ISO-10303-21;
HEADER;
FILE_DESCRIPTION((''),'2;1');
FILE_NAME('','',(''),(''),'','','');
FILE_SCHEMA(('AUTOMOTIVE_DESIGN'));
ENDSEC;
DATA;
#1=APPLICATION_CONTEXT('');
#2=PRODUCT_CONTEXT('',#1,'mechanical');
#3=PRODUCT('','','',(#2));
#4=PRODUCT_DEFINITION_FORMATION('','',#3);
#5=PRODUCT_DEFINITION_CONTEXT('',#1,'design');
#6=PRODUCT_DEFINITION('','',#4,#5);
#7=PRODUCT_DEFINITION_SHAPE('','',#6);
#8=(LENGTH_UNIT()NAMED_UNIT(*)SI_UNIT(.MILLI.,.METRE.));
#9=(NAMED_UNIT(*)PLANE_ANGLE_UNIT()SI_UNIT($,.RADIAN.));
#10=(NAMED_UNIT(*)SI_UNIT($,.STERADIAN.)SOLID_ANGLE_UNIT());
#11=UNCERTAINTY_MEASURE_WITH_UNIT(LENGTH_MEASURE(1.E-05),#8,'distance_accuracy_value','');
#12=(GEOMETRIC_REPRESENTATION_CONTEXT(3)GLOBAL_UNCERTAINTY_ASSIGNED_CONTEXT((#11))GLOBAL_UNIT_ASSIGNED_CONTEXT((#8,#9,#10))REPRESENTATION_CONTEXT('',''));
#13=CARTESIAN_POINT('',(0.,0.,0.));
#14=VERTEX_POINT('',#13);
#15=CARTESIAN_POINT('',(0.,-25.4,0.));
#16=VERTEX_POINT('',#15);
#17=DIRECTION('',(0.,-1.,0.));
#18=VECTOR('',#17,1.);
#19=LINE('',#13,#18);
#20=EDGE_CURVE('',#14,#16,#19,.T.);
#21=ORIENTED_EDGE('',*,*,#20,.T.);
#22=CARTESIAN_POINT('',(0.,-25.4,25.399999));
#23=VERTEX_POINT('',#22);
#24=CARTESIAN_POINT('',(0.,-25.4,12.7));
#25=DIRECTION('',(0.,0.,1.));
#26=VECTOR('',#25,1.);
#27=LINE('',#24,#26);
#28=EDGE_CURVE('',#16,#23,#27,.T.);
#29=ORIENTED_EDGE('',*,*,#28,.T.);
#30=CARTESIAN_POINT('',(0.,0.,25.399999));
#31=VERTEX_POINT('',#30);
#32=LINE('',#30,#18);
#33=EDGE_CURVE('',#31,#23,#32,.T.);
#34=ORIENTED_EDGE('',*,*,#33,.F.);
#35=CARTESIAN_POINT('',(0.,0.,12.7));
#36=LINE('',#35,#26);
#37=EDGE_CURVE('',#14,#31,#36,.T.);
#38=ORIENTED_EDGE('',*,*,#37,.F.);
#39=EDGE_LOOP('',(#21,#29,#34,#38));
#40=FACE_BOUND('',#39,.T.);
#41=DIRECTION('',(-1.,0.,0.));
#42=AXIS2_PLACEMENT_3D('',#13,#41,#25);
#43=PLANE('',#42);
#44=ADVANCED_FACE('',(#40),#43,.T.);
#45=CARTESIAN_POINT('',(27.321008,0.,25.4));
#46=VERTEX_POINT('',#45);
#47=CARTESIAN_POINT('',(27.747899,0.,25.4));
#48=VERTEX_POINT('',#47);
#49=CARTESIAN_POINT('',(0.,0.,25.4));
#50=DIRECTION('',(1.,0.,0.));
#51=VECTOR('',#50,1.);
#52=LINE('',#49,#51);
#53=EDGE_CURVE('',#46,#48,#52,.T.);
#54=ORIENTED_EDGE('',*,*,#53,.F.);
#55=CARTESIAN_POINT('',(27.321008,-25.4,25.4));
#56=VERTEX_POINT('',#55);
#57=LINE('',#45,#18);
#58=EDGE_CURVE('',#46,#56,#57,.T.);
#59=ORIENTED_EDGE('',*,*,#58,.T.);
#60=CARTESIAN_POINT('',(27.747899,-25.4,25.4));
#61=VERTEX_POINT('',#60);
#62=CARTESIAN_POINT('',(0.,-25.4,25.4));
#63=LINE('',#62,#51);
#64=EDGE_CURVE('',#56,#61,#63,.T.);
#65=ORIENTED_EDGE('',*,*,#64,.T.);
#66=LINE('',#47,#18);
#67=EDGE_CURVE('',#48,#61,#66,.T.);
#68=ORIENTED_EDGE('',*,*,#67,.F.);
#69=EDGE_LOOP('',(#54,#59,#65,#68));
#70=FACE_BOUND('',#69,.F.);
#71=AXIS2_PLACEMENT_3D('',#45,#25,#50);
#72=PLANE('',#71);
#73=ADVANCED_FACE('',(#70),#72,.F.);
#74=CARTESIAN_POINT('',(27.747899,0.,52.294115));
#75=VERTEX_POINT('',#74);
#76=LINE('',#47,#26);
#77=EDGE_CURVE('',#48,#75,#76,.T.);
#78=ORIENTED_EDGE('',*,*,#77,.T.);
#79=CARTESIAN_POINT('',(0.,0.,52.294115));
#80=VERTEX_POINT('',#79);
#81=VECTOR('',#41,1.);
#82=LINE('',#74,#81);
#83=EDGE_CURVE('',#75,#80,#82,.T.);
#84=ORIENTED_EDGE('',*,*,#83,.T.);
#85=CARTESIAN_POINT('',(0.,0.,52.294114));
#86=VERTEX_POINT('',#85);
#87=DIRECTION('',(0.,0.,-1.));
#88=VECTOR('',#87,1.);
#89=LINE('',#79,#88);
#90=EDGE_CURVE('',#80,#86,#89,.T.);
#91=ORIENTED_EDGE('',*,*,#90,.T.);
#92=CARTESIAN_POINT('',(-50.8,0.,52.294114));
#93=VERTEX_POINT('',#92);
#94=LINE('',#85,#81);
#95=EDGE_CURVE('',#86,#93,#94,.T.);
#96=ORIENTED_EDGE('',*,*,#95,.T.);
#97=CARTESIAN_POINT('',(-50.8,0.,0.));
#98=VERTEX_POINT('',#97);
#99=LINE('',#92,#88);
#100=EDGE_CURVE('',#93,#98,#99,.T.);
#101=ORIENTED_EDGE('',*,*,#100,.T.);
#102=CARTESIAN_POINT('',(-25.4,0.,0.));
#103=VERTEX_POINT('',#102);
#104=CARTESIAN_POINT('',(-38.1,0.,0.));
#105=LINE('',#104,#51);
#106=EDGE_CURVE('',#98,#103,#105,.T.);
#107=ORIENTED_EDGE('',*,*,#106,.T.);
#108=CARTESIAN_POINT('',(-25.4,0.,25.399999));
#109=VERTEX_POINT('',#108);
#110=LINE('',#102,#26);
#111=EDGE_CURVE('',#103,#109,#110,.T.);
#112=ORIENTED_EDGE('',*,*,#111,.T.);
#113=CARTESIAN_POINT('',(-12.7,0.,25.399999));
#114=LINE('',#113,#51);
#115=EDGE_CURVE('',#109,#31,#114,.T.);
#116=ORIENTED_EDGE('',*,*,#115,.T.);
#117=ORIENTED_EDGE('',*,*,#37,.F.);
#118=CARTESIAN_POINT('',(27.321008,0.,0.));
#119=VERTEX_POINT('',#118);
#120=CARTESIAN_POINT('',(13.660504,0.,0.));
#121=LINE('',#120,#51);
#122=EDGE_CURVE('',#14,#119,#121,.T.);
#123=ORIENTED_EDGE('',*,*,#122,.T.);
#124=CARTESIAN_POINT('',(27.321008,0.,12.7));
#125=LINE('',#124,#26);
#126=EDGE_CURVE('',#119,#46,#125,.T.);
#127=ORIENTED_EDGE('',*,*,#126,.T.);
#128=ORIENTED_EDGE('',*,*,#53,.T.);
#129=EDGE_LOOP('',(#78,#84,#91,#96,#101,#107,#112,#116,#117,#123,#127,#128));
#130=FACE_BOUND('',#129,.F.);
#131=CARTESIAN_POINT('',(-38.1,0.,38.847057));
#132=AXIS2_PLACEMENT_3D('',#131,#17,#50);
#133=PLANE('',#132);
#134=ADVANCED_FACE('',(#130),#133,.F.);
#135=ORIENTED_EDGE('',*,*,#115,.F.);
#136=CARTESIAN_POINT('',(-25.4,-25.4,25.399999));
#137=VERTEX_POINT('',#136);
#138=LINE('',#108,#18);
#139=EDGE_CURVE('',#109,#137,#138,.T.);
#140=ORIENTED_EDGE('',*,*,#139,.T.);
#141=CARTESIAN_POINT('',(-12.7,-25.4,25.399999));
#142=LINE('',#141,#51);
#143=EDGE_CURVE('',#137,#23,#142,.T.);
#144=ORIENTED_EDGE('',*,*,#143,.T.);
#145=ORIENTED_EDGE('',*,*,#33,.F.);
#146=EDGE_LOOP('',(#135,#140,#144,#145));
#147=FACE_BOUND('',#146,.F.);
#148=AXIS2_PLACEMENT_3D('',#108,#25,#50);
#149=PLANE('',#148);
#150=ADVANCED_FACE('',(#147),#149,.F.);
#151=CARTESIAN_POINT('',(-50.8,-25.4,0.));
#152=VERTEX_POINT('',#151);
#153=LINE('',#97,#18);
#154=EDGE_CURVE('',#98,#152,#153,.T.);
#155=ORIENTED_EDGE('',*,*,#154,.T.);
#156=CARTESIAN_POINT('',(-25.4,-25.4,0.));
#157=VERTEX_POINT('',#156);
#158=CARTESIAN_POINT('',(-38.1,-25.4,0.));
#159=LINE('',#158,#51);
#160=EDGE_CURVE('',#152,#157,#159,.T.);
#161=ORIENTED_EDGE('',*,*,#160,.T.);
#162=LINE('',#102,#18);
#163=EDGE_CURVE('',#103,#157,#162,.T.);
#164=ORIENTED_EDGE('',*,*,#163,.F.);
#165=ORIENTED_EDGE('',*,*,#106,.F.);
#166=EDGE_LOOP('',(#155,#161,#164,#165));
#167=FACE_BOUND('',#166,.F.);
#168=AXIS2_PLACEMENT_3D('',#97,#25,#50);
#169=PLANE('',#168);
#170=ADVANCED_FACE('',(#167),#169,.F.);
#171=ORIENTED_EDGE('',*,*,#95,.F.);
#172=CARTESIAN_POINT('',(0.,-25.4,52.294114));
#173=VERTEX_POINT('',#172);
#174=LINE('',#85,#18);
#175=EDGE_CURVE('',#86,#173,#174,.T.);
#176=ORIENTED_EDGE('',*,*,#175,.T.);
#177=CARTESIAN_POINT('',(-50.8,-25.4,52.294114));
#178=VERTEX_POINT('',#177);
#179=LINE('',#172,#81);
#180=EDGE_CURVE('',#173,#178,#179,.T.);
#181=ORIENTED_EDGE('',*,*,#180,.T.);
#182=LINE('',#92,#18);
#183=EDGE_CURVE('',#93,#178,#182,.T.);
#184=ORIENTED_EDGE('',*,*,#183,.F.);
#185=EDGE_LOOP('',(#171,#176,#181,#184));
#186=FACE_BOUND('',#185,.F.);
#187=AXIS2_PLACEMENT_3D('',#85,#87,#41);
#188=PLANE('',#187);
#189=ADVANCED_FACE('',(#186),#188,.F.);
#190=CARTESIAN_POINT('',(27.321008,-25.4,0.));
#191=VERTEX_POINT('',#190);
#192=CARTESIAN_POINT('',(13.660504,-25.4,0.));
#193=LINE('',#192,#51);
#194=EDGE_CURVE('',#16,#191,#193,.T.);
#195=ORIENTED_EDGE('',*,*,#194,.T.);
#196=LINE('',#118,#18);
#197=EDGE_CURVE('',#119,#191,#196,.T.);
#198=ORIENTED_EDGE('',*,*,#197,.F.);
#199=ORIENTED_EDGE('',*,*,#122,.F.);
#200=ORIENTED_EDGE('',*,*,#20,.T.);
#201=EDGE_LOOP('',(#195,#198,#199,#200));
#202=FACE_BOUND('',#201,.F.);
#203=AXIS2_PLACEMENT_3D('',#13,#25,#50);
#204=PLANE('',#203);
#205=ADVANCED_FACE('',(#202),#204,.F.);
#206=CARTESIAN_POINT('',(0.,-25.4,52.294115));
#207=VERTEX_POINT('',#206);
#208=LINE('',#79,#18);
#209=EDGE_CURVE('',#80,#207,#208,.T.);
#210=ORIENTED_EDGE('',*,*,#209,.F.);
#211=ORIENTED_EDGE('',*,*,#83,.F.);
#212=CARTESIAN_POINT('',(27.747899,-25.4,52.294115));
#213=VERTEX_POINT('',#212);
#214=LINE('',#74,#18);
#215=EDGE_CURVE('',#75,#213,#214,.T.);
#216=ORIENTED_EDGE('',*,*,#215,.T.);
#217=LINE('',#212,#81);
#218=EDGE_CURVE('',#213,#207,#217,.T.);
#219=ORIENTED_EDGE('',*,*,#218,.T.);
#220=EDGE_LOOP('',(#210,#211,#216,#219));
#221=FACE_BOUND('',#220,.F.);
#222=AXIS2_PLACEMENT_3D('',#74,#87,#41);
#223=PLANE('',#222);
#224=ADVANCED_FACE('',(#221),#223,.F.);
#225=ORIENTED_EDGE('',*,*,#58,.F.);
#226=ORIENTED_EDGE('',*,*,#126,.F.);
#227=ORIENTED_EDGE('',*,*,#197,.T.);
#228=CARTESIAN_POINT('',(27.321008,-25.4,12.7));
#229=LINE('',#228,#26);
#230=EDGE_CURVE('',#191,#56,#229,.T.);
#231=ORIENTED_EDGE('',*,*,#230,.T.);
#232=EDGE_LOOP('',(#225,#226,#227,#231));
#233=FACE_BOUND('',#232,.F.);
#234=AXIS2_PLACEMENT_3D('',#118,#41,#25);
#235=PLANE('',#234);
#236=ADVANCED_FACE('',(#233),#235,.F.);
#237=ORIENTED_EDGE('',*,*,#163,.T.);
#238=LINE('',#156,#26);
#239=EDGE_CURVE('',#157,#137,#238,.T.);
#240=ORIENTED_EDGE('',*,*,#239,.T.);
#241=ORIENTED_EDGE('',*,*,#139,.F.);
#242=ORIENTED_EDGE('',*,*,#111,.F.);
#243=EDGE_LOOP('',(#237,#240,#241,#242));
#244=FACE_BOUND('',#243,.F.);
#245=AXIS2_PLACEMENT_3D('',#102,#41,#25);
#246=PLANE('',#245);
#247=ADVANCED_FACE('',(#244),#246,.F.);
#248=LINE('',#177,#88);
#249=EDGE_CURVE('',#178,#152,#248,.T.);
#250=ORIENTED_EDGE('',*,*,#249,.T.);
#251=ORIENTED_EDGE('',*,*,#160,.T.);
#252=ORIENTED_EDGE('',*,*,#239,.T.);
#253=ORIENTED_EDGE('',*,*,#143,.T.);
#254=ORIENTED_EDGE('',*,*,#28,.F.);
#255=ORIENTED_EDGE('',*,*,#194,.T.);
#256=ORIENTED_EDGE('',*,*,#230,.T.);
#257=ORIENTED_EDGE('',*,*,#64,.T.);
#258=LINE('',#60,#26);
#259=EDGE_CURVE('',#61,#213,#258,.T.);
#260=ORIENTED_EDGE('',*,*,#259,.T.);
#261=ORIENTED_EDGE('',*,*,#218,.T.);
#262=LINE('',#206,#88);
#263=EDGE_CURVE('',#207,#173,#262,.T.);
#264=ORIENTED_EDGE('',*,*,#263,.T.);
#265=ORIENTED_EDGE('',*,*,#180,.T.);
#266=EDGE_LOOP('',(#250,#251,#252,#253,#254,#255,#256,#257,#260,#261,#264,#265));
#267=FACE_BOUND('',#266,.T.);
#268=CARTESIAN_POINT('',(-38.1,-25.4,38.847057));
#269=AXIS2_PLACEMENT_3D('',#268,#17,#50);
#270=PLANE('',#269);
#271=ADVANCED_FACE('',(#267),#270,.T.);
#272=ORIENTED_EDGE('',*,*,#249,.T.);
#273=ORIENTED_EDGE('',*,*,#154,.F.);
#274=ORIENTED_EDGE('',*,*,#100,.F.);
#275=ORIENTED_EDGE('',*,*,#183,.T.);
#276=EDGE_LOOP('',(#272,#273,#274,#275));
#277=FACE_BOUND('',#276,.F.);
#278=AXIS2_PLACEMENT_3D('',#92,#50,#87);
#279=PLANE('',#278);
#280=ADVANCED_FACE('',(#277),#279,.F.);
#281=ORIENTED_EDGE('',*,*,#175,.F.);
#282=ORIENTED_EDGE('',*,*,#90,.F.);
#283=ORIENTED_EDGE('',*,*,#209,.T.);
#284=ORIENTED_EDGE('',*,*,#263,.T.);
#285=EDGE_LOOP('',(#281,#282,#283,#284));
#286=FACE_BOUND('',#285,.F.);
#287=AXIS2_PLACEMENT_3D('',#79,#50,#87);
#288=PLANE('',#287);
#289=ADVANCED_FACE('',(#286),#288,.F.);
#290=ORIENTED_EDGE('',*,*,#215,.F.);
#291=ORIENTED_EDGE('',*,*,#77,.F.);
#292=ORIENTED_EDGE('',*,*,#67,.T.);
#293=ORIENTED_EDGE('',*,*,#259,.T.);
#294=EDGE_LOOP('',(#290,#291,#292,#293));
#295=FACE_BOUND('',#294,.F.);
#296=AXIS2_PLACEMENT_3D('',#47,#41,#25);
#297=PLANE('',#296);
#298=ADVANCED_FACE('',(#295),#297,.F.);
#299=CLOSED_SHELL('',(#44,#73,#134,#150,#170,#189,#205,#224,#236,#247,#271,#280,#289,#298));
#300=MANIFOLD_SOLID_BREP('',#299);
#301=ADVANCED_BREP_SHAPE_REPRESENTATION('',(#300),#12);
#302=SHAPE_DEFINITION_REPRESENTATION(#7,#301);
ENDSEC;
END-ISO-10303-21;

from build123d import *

# Parameters (mm, degrees)
F0_W     = 25.4
F0_H     = 26.894115
F0_H_2   = 25.4
F0_W_2   = 27.321008
F1_DEPTH = 25.4


with BuildPart() as f1:
    # F0 (on Front) → F1 (new body)
    with BuildSketch(Plane.XZ):
        with Locations((-38.1, 38.847057)):
            Rectangle(F0_W, F0_H)
        with Locations((-38.1, 12.7)):
            Rectangle(F0_W, F0_H_2)
        with Locations((-12.7, 38.847057)):
            Rectangle(F0_W, F0_H)
        Polygon((0, 52.294115), (0, 25.4), (27.321008, 25.4), (27.747899, 25.4), (27.747899, 52.294115), align=None)
        with Locations((13.660504, 12.7)):
            Rectangle(F0_W_2, F0_H_2)
    extrude(amount=F1_DEPTH)


solid = f1.part
